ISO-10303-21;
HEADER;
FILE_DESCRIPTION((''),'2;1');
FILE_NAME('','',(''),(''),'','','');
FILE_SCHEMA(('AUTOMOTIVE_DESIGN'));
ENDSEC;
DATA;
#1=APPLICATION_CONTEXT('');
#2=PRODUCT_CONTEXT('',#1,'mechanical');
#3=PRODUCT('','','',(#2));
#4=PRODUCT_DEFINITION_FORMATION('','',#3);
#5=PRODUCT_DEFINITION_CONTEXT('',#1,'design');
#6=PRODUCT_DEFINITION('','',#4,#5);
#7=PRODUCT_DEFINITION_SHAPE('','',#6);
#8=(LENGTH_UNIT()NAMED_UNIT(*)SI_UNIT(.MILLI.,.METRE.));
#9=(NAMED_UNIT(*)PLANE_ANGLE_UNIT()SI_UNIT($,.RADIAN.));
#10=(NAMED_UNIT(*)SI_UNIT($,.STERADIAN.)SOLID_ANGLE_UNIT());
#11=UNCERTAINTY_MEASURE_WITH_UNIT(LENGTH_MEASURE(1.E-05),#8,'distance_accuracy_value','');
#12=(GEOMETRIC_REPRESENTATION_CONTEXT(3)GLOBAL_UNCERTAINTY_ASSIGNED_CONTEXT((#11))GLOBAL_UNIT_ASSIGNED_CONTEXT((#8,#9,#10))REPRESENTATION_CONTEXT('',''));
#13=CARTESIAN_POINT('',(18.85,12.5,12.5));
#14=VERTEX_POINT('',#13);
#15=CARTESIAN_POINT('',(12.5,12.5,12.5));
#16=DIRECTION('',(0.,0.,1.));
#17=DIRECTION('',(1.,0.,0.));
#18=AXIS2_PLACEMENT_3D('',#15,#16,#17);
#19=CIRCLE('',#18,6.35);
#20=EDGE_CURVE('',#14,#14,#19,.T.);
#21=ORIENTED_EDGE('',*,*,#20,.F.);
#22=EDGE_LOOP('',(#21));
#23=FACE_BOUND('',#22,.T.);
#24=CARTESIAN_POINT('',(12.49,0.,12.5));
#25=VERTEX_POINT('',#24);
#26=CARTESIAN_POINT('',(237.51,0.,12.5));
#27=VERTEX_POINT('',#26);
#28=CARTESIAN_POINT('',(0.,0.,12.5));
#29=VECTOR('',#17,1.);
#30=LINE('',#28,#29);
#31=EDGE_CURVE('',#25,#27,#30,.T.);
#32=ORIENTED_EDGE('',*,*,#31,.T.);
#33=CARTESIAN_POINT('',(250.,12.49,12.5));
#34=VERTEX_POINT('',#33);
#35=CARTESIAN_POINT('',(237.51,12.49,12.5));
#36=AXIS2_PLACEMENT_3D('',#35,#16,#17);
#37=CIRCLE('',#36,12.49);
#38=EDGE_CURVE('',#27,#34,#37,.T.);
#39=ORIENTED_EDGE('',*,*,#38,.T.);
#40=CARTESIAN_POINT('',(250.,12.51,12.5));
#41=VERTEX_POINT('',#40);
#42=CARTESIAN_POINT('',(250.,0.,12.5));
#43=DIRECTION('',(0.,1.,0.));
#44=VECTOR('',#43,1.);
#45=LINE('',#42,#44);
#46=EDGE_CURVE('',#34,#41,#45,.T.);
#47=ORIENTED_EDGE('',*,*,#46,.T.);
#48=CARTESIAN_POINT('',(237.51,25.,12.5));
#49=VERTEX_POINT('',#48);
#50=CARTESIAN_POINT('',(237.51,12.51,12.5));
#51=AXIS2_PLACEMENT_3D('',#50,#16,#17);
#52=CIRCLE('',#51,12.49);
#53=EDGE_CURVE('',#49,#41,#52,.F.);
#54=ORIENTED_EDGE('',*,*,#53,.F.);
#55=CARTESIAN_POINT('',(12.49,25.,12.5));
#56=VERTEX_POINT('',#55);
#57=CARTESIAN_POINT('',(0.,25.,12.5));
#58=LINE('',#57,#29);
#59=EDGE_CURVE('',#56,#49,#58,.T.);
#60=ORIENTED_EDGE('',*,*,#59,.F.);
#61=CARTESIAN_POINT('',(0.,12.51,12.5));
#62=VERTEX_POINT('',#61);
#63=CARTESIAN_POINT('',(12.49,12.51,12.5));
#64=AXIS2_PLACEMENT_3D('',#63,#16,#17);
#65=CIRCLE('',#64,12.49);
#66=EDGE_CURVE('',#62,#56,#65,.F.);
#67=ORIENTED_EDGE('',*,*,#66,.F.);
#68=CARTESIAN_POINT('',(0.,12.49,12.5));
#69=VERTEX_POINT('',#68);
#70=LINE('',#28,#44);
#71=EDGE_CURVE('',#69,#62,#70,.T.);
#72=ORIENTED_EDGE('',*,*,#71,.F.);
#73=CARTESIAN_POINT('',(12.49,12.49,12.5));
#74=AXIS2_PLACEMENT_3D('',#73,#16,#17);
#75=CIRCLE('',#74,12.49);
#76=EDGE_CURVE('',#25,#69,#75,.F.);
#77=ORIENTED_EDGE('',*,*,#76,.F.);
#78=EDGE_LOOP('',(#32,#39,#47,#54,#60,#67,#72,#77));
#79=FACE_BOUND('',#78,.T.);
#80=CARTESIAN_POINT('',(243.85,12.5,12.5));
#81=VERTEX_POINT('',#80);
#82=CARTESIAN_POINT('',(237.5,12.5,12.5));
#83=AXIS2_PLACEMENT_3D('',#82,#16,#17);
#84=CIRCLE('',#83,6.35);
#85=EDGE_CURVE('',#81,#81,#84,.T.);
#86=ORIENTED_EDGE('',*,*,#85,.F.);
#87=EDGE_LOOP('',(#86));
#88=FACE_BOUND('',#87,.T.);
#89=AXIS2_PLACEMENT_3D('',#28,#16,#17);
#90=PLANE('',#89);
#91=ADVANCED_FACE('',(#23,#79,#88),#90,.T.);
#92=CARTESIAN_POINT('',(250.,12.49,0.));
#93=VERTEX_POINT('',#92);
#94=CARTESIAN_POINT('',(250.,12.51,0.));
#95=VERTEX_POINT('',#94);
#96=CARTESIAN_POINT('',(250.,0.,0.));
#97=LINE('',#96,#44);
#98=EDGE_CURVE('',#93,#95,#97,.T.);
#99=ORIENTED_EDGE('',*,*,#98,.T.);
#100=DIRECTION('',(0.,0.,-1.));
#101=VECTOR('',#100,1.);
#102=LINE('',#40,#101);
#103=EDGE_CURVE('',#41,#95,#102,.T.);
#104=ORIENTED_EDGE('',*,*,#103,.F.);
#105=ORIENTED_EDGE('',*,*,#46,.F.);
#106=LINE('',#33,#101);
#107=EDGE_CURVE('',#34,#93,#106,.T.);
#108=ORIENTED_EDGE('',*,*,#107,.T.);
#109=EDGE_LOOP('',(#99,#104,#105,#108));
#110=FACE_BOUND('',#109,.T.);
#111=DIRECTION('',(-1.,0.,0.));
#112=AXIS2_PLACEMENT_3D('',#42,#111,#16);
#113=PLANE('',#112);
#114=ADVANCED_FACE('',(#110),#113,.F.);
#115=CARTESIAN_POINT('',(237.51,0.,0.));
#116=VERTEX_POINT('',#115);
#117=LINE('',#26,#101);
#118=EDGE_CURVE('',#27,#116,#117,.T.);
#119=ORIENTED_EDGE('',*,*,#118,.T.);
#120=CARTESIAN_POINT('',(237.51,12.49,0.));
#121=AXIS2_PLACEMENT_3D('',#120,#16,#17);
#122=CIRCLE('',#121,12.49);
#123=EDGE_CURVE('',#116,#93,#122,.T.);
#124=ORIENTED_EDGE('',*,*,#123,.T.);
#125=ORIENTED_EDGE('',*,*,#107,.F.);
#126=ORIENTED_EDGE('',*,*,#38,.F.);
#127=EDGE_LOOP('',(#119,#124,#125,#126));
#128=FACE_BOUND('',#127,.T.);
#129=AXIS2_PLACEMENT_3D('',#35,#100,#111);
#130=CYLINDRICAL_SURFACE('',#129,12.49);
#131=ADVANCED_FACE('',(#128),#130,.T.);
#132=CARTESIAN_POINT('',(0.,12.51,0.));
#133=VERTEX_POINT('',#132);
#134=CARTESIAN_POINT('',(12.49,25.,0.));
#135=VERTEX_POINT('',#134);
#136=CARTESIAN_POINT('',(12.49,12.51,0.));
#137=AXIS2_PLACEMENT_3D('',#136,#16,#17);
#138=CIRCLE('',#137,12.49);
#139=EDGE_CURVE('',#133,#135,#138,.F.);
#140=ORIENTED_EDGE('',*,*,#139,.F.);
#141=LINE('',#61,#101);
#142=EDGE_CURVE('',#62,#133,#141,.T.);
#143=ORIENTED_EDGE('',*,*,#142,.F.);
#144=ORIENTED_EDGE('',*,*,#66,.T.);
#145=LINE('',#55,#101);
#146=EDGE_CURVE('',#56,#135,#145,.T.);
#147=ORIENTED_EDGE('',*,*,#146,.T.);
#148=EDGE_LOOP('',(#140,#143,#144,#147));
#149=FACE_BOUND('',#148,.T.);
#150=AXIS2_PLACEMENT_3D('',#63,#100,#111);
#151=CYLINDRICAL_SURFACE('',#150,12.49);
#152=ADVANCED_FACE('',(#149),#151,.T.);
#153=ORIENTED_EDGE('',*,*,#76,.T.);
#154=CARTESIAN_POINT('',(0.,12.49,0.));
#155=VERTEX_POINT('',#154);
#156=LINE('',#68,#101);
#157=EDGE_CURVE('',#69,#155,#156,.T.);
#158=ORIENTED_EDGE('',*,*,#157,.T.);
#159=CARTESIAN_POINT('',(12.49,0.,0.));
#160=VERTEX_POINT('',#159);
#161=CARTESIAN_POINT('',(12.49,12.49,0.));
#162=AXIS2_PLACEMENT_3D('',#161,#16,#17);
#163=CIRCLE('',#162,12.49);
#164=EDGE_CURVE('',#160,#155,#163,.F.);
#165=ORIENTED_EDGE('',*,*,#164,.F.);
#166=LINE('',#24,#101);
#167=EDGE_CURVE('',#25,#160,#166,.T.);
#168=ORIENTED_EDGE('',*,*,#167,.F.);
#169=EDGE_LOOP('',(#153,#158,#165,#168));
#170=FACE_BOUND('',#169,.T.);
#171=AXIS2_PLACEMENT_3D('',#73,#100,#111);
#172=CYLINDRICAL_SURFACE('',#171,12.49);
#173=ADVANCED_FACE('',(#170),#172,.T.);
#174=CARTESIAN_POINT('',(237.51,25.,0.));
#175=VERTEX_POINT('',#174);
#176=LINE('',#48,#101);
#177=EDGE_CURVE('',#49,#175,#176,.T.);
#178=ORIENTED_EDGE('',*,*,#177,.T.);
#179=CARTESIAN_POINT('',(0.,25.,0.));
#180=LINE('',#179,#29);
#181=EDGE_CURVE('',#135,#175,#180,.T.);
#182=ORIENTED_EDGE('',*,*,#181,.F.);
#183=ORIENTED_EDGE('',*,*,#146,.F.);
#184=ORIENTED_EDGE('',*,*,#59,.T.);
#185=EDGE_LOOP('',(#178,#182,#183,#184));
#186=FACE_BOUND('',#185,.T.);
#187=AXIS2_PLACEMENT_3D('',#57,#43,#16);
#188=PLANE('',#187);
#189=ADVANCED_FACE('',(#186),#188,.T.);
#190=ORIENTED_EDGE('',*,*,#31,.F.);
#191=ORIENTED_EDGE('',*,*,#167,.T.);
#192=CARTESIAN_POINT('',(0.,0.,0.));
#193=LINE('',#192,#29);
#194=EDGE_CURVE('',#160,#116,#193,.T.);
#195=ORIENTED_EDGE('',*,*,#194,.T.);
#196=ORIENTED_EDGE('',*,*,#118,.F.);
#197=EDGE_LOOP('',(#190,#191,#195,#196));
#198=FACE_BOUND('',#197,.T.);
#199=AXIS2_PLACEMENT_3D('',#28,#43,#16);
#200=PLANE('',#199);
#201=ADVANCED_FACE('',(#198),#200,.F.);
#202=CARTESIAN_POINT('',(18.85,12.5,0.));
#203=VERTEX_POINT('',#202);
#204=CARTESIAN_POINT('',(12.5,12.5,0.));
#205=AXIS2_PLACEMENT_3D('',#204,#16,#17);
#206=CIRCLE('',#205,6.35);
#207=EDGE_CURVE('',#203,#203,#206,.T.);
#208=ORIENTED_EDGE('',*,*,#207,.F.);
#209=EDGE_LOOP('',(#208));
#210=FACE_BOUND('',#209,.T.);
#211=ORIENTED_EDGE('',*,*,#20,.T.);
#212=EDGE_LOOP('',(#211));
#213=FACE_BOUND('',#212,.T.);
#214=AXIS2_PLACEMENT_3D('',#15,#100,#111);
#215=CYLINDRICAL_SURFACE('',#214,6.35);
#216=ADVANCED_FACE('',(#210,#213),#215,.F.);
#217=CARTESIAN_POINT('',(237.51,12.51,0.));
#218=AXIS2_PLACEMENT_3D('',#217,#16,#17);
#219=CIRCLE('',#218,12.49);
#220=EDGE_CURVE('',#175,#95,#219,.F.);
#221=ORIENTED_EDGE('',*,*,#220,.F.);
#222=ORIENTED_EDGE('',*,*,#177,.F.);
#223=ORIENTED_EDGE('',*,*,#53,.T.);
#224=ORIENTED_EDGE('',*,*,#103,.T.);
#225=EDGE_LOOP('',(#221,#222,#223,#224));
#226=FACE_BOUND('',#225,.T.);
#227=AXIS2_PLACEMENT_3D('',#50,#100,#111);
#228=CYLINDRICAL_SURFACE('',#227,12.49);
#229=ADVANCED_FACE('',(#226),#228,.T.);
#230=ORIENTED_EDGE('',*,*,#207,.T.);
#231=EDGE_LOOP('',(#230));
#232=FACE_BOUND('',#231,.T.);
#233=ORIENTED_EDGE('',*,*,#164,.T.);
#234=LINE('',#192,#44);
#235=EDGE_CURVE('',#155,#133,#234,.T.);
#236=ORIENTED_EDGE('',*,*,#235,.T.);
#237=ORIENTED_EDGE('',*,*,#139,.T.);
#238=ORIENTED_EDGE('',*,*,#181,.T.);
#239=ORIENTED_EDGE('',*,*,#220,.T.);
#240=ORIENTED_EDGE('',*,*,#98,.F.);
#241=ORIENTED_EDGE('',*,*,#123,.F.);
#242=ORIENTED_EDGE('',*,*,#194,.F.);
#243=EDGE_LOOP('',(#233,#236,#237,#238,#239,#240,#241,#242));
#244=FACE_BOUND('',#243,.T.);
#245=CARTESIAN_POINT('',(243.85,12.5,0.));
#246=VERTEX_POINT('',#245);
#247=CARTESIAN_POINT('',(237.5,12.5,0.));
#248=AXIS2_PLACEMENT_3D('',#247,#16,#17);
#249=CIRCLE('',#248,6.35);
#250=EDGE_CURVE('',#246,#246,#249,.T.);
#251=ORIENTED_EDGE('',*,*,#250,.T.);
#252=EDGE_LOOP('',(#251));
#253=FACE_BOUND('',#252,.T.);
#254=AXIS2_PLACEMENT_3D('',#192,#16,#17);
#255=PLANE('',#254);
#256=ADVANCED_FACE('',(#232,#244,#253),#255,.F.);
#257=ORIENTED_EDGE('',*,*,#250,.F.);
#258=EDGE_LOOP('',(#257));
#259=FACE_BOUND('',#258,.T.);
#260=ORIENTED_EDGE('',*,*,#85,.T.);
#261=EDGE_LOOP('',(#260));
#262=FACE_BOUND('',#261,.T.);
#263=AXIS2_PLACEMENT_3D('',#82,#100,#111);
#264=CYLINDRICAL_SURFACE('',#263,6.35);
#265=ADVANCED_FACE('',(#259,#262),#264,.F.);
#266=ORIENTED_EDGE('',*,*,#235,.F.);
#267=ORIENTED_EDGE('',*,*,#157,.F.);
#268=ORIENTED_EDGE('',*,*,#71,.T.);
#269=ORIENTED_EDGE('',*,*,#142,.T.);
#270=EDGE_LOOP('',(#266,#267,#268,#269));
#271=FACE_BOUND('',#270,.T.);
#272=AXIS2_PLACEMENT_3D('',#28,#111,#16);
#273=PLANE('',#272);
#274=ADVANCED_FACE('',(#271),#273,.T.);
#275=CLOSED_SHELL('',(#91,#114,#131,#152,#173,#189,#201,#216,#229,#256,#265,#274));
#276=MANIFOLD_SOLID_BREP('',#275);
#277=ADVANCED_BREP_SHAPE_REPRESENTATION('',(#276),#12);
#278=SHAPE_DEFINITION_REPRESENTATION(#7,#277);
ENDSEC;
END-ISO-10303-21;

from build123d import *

# Parameters (mm, degrees)
BOSS_EXTRUDE1_DEPTH = 12.5


with BuildPart() as part:
    # Sketch1 → Boss-Extrude1 (new body)
    with BuildSketch(Plane.XY):
        with BuildLine():
            ThreePointArc((231.15, 12.5), (237.5, 18.85), (243.85, 12.5))
            Line((243.85, 12.5), (250, 12.5))
            Line((250, 12.5), (250, 12.51))
            ThreePointArc((250, 12.51), (246.341763697, 21.341763697), (237.51, 25))
            Line((237.51, 25), (12.49, 25))
            ThreePointArc((12.49, 25), (3.658236303, 21.341763697), (0, 12.51))
            Line((0, 12.51), (0, 12.5))
            Line((0, 12.5), (6.15, 12.5))
            ThreePointArc((6.15, 12.5), (12.5, 18.85), (18.85, 12.5))
            Line((18.85, 12.5), (231.15, 12.5))
        make_face()
        with BuildLine():
            Line((250, 12.5), (243.85, 12.5))
            ThreePointArc((243.85, 12.5), (237.5, 6.15), (231.15, 12.5))
            Line((231.15, 12.5), (18.85, 12.5))
            ThreePointArc((18.85, 12.5), (12.5, 6.15), (6.15, 12.5))
            Line((6.15, 12.5), (0, 12.5))
            Line((0, 12.5), (0, 12.49))
            ThreePointArc((0, 12.49), (3.658236303, 3.658236303), (12.49, 0))
            Line((12.49, 0), (237.51, 0))
            ThreePointArc((237.51, 0), (246.341763697, 3.658236303), (250, 12.49))
            Line((250, 12.49), (250, 12.5))
        make_face()
    extrude(amount=BOSS_EXTRUDE1_DEPTH)


solid = part.part
